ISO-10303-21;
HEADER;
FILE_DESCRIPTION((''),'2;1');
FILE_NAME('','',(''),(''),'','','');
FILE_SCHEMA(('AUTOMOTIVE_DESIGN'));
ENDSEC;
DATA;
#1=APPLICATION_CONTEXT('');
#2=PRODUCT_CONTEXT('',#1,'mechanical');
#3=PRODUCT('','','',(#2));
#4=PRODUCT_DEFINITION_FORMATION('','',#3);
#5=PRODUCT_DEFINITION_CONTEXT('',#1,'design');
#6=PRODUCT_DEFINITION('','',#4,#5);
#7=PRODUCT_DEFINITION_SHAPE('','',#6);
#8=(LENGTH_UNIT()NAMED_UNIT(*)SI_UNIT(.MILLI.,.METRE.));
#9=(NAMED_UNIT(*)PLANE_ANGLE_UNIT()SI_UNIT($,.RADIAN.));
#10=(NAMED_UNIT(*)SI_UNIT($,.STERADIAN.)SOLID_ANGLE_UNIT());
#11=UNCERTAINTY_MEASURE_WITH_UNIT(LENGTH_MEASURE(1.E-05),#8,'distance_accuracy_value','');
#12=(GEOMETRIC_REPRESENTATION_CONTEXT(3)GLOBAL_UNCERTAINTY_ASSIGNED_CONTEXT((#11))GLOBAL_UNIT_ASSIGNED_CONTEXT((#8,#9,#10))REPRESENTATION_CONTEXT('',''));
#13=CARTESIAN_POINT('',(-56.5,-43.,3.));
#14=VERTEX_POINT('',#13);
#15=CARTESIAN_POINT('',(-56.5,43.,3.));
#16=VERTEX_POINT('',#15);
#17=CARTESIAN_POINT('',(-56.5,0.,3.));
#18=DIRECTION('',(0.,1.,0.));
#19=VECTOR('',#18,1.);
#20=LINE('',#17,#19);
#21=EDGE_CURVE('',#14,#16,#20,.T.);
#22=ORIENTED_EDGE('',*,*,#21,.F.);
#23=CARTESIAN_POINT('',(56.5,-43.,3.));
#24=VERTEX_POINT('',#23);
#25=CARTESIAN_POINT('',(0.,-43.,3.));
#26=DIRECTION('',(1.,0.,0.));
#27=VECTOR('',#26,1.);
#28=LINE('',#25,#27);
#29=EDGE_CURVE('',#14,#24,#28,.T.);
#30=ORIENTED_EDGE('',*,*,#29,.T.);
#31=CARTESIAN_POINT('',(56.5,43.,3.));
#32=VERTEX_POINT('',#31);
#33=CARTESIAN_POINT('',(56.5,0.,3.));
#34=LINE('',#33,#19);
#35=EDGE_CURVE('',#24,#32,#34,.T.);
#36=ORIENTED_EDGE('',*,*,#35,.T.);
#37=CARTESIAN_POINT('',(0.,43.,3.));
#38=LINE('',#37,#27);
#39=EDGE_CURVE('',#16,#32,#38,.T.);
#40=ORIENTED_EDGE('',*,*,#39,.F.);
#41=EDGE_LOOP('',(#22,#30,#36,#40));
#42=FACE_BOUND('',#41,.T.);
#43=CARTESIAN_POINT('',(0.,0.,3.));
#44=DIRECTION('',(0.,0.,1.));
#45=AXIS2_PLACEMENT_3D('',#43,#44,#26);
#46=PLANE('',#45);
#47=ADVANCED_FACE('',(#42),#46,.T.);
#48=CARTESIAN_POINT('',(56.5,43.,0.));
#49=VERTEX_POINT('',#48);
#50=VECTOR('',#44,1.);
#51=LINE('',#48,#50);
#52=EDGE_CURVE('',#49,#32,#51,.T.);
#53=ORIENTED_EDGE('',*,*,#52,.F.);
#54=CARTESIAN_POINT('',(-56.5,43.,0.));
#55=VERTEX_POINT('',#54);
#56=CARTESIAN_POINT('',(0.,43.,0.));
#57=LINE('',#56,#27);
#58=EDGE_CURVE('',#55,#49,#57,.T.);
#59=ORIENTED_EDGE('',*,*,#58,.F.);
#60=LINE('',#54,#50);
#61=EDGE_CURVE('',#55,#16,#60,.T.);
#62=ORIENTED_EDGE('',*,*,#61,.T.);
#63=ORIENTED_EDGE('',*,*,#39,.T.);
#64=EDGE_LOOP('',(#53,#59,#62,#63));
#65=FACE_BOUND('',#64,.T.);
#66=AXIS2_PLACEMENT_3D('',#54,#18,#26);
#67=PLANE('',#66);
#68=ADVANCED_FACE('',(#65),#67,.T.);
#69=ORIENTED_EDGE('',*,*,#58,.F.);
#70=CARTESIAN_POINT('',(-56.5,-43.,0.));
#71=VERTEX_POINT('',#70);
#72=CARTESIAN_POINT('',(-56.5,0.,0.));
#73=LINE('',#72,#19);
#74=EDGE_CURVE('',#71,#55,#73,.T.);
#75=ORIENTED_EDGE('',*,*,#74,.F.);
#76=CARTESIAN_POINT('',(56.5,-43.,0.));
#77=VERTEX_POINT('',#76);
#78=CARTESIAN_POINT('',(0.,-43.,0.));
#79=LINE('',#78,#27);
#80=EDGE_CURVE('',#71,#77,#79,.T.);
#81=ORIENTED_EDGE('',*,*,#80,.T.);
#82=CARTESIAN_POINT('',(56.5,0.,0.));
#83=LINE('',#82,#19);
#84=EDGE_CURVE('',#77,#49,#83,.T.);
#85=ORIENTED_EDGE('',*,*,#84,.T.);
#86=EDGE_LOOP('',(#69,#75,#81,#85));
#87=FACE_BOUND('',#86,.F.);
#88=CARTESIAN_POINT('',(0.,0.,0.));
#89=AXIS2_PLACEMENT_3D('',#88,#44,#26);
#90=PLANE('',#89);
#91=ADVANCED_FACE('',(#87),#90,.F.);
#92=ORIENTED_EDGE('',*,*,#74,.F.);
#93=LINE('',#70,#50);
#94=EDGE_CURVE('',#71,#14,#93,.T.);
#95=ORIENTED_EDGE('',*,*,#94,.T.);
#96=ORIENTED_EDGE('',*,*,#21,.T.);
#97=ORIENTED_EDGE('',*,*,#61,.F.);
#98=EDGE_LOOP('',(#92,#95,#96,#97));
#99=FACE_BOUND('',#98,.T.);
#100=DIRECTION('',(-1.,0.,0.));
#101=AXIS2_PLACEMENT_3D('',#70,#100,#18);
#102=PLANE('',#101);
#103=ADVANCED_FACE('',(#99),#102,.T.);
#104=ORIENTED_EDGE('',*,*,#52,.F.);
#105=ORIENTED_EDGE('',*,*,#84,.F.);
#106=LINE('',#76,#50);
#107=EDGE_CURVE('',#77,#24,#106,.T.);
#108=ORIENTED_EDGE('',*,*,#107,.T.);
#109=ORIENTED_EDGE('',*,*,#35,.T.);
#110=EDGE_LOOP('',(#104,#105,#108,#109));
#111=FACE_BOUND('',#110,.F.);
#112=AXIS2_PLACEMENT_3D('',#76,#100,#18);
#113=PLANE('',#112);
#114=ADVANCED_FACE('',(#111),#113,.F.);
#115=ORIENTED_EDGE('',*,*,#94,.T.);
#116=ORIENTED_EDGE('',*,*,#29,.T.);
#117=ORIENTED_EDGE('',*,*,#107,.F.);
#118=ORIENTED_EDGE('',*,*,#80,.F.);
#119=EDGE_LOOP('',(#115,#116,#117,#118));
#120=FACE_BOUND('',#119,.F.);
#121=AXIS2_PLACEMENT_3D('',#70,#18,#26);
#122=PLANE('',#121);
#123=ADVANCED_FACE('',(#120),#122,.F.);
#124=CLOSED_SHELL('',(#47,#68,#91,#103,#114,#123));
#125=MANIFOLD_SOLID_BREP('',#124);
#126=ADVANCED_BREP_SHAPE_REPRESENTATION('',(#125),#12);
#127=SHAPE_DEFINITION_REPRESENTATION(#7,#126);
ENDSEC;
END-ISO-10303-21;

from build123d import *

# Parameters (mm, degrees)
SKETCH_W  = 113
SKETCH_H  = 86
PAD_DEPTH = 3


with BuildPart() as part:
    # Sketch → Pad (new body)
    with BuildSketch(Plane.XY):
        Rectangle(SKETCH_W, SKETCH_H)
    extrude(amount=PAD_DEPTH)


solid = part.part
